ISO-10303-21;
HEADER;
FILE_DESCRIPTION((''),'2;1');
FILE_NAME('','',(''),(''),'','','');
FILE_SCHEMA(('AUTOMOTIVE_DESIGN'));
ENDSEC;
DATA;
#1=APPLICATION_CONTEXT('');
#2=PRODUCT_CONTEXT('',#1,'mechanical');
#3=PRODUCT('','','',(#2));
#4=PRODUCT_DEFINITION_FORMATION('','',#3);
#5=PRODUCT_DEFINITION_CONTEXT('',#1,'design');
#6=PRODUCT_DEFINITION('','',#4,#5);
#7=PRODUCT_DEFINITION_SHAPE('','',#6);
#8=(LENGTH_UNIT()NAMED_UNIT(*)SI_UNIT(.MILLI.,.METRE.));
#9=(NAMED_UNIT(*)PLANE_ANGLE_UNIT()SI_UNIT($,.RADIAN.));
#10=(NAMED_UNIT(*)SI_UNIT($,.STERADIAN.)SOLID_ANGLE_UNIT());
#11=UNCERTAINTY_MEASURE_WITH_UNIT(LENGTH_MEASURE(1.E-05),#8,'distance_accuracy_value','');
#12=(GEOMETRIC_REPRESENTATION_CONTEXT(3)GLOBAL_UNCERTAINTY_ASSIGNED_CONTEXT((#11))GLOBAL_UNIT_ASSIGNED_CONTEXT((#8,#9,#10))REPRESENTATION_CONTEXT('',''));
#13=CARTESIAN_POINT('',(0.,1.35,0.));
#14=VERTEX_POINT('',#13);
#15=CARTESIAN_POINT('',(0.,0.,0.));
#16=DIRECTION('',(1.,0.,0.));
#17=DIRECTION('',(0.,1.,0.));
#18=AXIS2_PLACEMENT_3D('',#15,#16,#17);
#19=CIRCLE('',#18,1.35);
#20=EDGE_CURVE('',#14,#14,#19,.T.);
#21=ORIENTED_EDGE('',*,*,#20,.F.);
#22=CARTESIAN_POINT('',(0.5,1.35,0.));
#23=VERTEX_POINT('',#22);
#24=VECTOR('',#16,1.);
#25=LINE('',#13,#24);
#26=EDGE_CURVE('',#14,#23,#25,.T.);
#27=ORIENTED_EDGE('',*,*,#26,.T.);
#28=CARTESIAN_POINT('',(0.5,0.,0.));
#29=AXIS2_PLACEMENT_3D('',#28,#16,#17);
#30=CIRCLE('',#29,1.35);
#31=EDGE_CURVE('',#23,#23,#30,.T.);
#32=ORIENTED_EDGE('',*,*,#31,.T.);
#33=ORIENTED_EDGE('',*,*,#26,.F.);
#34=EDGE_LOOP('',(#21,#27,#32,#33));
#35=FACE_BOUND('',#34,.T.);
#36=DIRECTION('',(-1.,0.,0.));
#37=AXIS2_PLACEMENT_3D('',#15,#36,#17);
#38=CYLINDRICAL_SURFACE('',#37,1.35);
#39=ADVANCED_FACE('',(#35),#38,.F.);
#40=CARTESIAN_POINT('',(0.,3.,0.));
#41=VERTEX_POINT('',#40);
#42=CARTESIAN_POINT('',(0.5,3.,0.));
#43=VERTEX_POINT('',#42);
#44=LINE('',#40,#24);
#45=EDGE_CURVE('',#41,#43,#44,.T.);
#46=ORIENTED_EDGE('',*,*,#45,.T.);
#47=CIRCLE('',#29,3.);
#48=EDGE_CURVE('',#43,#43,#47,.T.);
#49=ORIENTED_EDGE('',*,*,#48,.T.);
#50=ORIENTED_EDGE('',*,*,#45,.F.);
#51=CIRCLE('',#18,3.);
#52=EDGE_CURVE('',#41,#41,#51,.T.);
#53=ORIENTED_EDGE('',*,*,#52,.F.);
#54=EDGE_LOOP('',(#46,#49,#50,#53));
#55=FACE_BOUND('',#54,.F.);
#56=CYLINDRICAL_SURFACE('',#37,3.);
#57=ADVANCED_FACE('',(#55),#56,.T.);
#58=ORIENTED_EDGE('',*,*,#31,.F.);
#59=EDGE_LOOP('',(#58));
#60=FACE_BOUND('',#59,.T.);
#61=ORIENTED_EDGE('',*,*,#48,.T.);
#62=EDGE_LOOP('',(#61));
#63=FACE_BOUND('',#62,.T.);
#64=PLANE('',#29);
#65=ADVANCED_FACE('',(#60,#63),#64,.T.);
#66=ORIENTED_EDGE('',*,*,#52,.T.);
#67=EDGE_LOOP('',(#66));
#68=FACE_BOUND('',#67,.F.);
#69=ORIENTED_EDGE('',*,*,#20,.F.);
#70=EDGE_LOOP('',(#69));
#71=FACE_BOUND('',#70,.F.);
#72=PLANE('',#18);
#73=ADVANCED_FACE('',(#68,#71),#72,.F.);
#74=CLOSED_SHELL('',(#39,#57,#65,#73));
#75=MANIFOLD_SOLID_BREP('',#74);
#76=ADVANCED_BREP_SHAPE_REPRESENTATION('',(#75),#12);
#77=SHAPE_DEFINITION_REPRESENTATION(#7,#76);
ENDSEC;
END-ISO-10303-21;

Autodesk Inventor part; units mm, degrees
ref_plane "YZ Plane" through (0, 0, 0) normal (1, 0, 0) x (0, 1, 0)
ref_plane "XZ Plane" through (0, 0, 0) normal (0, 1, 0) x (-1, 0, 0)
sketch "Sketch" plane through (0, 0, 0) normal (1, 0, 0) x (0, 1, 0)
  circle A0 centre (0, 0) radius 3
  circle A1 centre (0, 0) radius 1.35
  dimension "d0" = 2.7
  dimension "d1" = 6
extrude "Body" add sketch "Sketch" along normal blind 0.5
ref_plane "Work Plane1" through (0, 0, 0) normal (0, 0, 1) x (1, 0, 0)
equation "\"d0\" = SD1"
equation "\"d1\" = SD2"
equation "\"d2\" = SD"
equation "\"SD1\" = 2.7"
equation "\"SD2\" = 6"
equation "\"SD\" = 0.5"
equation "\"NND\" = 2.5"
properties part number "DIN 125 - A 2.7" material "Steel, Mild"
